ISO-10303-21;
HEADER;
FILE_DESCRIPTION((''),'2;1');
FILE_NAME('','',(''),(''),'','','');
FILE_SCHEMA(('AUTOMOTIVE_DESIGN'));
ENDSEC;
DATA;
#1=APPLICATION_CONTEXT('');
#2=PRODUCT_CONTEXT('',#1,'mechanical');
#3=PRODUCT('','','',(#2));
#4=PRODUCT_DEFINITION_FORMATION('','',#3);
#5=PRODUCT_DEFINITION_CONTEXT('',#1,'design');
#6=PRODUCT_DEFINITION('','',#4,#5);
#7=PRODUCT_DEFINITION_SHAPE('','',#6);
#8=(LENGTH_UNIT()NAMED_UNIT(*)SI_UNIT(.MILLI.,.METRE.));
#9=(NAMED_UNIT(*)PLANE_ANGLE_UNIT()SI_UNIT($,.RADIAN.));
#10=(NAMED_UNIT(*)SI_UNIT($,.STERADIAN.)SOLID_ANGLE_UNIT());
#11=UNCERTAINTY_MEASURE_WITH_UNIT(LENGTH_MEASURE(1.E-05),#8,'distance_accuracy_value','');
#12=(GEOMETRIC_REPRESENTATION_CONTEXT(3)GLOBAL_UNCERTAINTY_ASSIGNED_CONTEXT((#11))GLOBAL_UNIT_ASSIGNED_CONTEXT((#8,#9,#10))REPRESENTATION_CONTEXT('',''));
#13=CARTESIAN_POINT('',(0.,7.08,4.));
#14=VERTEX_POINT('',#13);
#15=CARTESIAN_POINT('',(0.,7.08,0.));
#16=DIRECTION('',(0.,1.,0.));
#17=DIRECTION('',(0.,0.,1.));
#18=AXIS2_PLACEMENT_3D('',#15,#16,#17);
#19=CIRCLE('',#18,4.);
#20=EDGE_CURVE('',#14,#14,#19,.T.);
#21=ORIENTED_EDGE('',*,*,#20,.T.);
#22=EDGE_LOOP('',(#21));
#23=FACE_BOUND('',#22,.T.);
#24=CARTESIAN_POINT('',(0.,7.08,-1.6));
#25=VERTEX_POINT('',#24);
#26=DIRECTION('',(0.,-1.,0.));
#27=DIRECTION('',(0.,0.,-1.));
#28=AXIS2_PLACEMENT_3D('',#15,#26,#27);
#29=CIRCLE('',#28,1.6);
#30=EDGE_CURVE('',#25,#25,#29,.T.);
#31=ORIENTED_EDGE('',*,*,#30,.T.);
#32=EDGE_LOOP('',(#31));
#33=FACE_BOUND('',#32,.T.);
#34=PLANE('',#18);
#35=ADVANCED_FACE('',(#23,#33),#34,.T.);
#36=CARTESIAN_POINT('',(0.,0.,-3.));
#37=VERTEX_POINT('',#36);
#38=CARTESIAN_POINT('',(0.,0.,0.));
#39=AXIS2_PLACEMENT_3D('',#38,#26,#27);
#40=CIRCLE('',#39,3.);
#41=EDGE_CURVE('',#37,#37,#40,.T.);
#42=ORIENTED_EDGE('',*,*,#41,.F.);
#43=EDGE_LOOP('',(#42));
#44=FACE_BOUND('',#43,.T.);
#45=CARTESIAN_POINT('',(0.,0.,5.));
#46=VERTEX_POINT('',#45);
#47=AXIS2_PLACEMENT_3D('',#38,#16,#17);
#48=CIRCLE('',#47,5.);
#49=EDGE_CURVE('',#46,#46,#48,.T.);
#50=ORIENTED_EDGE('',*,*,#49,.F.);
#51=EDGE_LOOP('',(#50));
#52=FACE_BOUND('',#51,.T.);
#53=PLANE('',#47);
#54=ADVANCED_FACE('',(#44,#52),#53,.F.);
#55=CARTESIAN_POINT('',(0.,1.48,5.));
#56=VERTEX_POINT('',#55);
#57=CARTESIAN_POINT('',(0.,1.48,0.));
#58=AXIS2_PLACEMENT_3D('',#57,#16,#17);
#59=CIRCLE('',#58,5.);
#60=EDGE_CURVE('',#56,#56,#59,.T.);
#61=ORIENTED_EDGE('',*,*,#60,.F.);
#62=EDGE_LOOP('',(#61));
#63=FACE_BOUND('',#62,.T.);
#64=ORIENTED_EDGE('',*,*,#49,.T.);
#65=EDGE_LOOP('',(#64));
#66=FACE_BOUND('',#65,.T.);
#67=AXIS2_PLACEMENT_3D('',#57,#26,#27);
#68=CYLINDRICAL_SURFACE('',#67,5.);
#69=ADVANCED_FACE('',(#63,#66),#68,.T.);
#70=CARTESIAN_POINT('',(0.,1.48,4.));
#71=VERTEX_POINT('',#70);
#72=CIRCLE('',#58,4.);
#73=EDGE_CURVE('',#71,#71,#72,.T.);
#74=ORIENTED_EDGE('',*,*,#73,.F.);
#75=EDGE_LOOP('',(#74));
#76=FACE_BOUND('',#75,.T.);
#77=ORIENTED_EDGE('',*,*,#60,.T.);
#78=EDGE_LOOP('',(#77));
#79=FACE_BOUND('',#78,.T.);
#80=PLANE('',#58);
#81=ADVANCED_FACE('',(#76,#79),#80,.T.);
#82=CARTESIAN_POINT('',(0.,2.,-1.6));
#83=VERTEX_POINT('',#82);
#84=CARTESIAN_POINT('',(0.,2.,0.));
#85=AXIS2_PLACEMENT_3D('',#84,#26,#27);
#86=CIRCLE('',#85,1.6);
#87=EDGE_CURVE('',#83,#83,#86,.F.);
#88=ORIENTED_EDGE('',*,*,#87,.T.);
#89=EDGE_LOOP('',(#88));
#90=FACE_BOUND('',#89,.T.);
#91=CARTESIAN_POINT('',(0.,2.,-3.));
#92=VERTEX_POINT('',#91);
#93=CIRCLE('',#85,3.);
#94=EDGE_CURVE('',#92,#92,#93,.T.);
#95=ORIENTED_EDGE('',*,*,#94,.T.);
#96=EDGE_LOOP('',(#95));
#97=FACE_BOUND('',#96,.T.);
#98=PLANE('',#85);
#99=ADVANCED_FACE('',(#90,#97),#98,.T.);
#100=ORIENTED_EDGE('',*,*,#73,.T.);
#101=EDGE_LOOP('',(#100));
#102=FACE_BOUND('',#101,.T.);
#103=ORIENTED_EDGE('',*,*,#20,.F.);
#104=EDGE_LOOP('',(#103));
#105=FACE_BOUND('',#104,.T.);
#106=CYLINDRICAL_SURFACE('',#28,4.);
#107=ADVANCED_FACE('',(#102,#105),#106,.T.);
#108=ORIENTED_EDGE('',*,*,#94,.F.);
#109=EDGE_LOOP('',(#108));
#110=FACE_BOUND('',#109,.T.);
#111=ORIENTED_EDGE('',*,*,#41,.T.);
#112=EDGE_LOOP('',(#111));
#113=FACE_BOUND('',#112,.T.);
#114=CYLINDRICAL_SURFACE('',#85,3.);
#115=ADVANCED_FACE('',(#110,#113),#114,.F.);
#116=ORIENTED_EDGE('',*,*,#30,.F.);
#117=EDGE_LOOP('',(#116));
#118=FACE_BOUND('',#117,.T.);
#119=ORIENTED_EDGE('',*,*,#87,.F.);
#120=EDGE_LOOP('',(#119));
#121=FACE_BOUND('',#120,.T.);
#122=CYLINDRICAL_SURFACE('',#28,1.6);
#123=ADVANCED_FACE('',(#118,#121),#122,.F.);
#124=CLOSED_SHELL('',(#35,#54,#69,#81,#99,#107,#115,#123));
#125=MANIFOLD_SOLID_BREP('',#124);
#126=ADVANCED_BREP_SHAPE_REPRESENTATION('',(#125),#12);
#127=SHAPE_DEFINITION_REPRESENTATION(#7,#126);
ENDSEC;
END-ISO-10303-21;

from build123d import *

# Parameters (mm, degrees)
SKETCH1_R           = 5
BOSS_EXTRUDE1_DEPTH = 1.48
SKETCH2_R           = 4
BOSS_EXTRUDE2_DEPTH = 5.6
SKETCH3_R           = 1.6
CUT_EXTRUDE1_DEPTH  = 8.08
SKETCH4_R           = 3
CUT_EXTRUDE2_DEPTH  = 2


with BuildPart() as part:
    # Sketch1 → Boss-Extrude1 (new body)
    with BuildSketch(Plane(origin=(0, 0, 0), x_dir=(1, 0, 0), z_dir=(0, 1, 0))):
        Circle(SKETCH1_R)
    extrude(amount=BOSS_EXTRUDE1_DEPTH)

    # Sketch2 → Boss-Extrude2 (add)
    with BuildSketch(Plane(origin=(0, 1.48, 0), x_dir=(1, 0, 0), z_dir=(0, 1, 0))):
        Circle(SKETCH2_R)
    extrude(amount=BOSS_EXTRUDE2_DEPTH)

    # Sketch3 → Cut-Extrude1 (cut, through all)
    with BuildSketch(Plane.XZ):
        Circle(SKETCH3_R)
    extrude(amount=-CUT_EXTRUDE1_DEPTH, mode=Mode.SUBTRACT)

    # Sketch4 → Cut-Extrude2 (cut)
    with BuildSketch(Plane.XZ):
        Circle(SKETCH4_R)
    extrude(amount=-CUT_EXTRUDE2_DEPTH, mode=Mode.SUBTRACT)


solid = part.part
